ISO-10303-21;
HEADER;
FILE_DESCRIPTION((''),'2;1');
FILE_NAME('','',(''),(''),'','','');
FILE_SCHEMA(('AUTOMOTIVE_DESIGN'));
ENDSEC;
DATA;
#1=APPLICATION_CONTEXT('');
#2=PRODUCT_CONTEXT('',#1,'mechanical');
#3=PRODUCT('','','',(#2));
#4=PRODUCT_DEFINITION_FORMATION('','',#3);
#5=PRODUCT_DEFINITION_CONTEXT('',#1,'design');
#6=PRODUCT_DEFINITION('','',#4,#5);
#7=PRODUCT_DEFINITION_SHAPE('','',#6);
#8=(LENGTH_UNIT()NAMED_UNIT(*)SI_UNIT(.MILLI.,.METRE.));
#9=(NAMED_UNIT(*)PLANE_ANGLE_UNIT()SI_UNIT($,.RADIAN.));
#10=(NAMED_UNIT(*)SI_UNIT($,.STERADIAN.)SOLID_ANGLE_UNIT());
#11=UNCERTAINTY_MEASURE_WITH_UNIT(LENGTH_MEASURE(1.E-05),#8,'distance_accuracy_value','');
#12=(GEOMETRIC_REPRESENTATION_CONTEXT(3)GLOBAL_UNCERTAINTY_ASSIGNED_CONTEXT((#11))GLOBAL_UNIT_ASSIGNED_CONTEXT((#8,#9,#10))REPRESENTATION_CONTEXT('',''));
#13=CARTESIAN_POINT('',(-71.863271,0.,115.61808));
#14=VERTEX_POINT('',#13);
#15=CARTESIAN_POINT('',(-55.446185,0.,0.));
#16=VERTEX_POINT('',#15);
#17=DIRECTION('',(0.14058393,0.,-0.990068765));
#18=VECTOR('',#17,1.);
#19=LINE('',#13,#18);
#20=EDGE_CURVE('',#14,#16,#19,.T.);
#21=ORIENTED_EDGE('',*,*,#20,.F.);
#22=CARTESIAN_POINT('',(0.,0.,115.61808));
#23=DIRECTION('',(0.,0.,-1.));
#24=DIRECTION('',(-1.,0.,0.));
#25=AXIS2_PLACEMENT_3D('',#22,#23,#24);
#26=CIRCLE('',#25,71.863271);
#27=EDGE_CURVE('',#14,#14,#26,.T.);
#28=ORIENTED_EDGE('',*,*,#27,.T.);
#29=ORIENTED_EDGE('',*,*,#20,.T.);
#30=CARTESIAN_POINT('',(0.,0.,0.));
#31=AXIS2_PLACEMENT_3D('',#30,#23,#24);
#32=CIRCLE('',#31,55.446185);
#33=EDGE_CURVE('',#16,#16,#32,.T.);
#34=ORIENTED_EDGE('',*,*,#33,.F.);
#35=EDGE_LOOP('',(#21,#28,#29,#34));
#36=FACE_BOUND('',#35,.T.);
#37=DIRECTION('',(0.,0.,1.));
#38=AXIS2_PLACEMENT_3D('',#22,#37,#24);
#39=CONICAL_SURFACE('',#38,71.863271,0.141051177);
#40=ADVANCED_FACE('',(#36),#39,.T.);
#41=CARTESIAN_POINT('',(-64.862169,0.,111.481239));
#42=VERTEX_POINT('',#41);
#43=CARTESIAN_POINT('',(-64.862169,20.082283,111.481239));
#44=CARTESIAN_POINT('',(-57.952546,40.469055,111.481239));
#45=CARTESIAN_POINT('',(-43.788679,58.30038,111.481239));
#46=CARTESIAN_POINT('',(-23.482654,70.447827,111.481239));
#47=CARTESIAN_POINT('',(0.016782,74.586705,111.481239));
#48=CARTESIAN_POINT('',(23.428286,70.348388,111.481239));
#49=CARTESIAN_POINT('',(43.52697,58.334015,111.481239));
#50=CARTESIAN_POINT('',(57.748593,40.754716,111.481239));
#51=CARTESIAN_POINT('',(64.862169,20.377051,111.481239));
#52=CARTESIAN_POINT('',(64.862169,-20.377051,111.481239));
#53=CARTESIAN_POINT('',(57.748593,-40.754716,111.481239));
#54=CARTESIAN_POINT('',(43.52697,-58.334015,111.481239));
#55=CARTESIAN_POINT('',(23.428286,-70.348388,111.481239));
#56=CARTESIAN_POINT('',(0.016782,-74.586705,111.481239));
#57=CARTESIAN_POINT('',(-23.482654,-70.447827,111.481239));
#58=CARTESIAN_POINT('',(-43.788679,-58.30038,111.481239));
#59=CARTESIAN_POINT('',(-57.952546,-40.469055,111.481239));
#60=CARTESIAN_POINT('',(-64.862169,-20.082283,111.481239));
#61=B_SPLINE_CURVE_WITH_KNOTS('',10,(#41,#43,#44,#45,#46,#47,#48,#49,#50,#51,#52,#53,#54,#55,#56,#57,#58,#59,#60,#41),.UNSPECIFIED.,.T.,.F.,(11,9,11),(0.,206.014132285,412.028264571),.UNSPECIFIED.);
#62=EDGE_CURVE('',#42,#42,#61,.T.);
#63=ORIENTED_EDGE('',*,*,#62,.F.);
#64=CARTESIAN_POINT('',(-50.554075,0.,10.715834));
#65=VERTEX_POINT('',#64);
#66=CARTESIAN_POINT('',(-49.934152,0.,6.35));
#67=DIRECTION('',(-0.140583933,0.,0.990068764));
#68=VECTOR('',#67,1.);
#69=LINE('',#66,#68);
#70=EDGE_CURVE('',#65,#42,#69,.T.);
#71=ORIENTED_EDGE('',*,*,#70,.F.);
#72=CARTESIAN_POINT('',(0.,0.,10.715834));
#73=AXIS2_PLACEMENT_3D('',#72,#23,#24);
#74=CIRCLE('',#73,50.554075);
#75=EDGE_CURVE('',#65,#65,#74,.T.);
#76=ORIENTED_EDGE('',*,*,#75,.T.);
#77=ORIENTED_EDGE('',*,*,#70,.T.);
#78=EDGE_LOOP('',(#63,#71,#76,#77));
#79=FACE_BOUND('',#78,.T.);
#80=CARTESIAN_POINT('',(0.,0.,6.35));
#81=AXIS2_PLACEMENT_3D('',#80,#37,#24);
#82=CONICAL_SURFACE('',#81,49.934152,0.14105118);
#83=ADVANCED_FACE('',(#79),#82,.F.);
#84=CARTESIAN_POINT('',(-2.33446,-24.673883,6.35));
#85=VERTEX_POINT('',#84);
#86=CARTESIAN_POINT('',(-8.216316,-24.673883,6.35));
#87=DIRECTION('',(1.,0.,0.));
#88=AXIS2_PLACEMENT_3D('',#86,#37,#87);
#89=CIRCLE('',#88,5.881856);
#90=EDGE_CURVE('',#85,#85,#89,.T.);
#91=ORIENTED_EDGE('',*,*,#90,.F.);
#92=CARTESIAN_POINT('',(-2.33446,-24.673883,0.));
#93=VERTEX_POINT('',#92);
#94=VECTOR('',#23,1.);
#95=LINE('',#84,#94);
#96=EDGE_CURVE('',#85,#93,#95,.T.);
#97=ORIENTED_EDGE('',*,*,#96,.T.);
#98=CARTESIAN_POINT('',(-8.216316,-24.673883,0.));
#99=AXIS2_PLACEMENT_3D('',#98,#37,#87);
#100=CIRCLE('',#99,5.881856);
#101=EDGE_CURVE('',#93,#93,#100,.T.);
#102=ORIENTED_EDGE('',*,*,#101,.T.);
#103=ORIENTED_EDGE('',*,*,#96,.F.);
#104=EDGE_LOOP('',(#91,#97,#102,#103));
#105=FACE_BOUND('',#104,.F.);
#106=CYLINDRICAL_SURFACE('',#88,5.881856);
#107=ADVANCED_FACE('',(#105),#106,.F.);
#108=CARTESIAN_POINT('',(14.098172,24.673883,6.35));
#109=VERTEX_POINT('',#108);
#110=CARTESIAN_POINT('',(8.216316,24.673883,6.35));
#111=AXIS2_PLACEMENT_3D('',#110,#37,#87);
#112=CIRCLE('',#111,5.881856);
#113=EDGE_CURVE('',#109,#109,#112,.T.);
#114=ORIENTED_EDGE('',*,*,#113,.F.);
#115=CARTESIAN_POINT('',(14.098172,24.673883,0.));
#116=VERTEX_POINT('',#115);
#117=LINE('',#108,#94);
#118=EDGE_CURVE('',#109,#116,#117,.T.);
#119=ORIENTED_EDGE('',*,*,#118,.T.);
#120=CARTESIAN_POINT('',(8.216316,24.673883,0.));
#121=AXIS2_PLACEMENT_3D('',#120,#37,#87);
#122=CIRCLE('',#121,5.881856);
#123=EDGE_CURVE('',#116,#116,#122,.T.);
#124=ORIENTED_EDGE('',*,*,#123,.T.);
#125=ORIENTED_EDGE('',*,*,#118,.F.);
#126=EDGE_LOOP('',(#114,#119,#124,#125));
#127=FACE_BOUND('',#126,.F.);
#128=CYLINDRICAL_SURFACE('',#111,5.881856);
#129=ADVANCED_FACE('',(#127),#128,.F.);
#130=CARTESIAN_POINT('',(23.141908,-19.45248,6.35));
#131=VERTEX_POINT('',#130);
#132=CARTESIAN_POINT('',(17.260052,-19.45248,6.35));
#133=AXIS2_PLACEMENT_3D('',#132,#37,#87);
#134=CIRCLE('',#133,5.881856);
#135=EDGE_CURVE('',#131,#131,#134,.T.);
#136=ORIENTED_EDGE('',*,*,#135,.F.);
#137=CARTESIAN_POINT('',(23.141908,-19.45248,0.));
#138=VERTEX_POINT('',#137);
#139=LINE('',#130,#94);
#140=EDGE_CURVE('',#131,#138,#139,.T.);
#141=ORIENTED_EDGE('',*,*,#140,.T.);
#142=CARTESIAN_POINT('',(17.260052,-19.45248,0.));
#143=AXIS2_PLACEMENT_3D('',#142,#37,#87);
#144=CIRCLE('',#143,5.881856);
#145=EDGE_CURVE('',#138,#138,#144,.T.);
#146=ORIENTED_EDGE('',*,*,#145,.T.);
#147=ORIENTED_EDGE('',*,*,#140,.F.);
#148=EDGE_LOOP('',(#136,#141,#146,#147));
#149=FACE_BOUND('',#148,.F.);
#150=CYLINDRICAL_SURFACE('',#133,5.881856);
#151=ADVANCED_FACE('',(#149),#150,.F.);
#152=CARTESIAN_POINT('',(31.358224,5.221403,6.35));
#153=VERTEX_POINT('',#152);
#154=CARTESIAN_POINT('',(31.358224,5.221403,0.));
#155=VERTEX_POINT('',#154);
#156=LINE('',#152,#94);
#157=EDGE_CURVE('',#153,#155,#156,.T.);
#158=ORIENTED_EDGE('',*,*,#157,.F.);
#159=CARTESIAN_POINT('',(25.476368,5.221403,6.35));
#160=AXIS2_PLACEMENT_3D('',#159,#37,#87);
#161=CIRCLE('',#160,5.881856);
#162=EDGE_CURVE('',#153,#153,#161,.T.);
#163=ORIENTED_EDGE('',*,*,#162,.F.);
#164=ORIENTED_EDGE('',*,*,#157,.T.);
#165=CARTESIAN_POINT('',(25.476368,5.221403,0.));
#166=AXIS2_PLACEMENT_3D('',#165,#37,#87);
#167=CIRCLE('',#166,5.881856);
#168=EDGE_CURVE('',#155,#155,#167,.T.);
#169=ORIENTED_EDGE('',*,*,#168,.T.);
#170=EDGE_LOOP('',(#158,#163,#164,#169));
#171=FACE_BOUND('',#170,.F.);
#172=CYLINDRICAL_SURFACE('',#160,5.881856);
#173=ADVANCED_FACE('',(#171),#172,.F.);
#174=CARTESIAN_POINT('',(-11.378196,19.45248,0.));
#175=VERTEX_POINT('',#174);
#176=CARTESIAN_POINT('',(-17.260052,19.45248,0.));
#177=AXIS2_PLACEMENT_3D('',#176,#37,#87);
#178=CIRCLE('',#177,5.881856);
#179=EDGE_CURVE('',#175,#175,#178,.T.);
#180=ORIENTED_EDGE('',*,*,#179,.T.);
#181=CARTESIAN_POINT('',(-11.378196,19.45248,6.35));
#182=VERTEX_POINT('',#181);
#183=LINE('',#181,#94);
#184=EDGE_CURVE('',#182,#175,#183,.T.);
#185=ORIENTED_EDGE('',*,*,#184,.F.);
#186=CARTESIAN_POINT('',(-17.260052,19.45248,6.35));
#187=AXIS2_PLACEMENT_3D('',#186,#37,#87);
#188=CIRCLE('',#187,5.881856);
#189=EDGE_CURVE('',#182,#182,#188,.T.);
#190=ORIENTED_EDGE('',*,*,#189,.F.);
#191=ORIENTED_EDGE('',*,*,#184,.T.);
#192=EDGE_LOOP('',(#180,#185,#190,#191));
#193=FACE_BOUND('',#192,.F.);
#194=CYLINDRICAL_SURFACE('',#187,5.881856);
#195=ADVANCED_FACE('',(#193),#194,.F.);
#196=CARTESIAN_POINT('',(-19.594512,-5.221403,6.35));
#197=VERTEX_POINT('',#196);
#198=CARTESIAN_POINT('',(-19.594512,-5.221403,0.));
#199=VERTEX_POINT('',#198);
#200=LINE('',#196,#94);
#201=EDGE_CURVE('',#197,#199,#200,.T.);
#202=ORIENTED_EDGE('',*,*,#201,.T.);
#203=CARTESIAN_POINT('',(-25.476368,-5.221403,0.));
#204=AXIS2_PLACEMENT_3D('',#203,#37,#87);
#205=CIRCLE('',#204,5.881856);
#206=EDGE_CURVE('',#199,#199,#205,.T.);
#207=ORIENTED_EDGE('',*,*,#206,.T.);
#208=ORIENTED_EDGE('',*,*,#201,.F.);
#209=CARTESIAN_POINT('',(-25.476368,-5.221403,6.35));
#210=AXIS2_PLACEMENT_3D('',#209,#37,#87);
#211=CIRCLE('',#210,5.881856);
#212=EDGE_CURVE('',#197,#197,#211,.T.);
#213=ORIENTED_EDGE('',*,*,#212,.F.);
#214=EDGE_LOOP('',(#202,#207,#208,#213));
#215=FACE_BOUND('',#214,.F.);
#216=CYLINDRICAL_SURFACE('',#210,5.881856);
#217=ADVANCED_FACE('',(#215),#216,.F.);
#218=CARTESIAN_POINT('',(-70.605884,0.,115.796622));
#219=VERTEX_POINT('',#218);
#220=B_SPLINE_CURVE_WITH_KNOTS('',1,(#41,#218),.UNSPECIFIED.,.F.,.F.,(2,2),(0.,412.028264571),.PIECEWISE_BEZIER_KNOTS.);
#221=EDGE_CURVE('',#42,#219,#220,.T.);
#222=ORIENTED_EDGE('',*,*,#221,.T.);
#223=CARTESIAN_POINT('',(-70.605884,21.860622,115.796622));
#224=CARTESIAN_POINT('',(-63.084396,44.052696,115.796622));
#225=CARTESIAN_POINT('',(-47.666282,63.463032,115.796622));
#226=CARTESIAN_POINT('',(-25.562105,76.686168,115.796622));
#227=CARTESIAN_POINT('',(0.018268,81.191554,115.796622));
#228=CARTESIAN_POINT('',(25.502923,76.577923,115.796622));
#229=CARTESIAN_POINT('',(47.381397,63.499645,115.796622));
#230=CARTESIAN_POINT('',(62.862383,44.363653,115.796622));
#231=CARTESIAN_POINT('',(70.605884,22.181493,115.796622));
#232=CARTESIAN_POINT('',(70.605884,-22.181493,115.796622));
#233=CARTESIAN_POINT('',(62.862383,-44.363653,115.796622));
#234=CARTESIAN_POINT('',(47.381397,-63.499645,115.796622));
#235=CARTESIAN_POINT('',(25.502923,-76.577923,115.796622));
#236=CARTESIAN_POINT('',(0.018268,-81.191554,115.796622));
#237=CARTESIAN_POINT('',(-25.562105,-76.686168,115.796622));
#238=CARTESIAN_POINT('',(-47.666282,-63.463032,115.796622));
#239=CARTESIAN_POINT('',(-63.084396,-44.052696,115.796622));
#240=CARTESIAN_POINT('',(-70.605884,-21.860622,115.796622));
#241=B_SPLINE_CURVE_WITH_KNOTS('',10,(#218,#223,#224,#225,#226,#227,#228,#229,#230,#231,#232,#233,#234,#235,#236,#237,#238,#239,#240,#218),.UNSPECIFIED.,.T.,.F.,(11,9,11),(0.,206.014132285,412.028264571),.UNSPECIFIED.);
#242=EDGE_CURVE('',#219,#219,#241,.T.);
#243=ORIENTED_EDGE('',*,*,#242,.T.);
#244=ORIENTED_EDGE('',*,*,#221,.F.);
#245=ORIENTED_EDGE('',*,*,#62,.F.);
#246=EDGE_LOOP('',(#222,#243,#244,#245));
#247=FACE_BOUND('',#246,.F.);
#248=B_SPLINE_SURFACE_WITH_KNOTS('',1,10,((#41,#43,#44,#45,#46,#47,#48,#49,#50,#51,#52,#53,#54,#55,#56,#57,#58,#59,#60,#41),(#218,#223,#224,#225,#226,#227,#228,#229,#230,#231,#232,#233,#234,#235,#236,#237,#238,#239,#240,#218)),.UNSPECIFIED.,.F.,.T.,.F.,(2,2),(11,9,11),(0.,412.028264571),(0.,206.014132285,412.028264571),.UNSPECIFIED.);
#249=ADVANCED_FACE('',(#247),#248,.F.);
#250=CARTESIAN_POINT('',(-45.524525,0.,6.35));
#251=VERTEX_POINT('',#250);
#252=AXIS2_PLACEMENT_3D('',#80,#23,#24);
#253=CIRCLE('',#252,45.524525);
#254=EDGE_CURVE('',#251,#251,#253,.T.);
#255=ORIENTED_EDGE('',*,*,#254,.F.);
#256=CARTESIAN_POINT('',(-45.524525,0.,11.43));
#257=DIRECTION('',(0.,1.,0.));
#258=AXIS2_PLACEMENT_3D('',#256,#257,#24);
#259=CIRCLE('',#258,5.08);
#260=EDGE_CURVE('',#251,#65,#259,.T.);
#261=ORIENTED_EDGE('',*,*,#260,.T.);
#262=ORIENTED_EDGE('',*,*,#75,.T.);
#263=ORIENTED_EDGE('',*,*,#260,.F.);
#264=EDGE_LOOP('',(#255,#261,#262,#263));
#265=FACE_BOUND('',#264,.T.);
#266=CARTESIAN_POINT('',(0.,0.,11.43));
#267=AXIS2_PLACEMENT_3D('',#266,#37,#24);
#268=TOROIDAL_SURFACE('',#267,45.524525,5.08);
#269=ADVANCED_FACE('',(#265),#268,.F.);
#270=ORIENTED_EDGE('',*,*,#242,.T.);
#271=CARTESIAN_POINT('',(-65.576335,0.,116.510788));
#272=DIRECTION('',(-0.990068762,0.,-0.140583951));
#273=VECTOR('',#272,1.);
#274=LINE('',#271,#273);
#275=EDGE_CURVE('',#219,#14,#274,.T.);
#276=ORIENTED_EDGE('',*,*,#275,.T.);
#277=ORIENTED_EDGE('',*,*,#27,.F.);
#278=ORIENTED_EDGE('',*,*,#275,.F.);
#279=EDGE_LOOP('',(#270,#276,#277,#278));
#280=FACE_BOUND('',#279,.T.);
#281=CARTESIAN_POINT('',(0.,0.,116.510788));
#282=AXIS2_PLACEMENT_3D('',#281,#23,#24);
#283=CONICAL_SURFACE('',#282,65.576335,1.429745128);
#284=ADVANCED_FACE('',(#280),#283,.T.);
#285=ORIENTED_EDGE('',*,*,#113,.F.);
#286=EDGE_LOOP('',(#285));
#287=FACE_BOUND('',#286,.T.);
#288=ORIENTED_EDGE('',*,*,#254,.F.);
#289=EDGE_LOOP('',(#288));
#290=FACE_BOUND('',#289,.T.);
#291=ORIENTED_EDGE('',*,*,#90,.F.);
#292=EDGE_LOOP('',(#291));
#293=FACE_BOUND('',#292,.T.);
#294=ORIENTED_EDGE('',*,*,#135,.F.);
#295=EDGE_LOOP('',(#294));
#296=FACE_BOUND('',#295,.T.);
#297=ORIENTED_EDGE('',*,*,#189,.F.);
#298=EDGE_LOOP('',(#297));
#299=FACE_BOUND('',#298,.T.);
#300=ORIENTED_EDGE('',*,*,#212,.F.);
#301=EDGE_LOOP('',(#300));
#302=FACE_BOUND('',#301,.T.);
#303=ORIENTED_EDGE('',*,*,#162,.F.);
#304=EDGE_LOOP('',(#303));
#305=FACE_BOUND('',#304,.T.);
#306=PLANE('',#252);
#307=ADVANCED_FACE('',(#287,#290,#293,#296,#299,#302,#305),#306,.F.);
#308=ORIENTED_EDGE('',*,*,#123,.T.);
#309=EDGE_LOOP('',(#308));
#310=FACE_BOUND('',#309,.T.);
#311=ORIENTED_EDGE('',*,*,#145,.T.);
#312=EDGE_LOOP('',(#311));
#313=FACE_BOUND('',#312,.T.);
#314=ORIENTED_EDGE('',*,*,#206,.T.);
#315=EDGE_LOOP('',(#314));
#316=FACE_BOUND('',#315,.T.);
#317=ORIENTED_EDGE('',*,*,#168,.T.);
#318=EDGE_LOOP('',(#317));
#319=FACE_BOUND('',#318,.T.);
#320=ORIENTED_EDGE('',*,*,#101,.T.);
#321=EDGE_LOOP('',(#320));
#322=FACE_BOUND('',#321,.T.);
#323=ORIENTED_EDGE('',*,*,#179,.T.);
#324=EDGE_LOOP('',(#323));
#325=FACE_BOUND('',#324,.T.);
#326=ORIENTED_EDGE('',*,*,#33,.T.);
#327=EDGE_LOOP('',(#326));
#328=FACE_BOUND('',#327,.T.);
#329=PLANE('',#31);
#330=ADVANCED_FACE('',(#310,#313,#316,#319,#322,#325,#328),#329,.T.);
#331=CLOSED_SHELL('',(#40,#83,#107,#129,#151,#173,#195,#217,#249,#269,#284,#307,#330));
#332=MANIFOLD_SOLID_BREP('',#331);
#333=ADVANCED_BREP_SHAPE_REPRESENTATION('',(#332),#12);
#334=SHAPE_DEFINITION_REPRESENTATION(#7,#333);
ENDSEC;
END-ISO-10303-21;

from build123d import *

# Parameters (mm, degrees)
F2_R     = 5.08
F3_SIZE  = 5.08
F4_R     = 5.881856
F5_DEPTH = 6.351


with BuildPart() as f1:
    # F0 (on Front) → F1 (revolve)
    with BuildSketch(Plane.XZ):
        Polygon((-55.446185, 0), (0, 0), (0, 6.35), (-49.934152, 6.35), (-65.576335, 116.510788), (-71.863271, 115.61808), align=None)
    revolve(axis=Axis((0, 0, 3.175), (0, 0, -1)))

    # F2
    f2_edges = [f1.edges().sort_by_distance(p)[0] for p in [
        (49.934152, 0, 6.35),
    ]]
    fillet(f2_edges, radius=F2_R)

    # F3
    f3_edges = [f1.edges().sort_by_distance(p)[0] for p in [
        (65.576335, 0, 116.510788),
    ]]
    chamfer(f3_edges, length=F3_SIZE)

    # F4 (on face) → F5 (cut, through all)
    with BuildSketch(Plane.XY.offset(6.35)):
        with Locations((-17.260052, 19.45248)):
            Circle(F4_R)
        with Locations((-25.476368, -5.221403)):
            Circle(F4_R)
        with Locations((-8.216316, -24.673883)):
            Circle(F4_R)
        with Locations((17.260052, -19.45248)):
            Circle(F4_R)
        with Locations((25.476368, 5.221403)):
            Circle(F4_R)
        with Locations((8.216316, 24.673883)):
            Circle(F4_R)
    extrude(amount=-F5_DEPTH, mode=Mode.SUBTRACT)


solid = f1.part
